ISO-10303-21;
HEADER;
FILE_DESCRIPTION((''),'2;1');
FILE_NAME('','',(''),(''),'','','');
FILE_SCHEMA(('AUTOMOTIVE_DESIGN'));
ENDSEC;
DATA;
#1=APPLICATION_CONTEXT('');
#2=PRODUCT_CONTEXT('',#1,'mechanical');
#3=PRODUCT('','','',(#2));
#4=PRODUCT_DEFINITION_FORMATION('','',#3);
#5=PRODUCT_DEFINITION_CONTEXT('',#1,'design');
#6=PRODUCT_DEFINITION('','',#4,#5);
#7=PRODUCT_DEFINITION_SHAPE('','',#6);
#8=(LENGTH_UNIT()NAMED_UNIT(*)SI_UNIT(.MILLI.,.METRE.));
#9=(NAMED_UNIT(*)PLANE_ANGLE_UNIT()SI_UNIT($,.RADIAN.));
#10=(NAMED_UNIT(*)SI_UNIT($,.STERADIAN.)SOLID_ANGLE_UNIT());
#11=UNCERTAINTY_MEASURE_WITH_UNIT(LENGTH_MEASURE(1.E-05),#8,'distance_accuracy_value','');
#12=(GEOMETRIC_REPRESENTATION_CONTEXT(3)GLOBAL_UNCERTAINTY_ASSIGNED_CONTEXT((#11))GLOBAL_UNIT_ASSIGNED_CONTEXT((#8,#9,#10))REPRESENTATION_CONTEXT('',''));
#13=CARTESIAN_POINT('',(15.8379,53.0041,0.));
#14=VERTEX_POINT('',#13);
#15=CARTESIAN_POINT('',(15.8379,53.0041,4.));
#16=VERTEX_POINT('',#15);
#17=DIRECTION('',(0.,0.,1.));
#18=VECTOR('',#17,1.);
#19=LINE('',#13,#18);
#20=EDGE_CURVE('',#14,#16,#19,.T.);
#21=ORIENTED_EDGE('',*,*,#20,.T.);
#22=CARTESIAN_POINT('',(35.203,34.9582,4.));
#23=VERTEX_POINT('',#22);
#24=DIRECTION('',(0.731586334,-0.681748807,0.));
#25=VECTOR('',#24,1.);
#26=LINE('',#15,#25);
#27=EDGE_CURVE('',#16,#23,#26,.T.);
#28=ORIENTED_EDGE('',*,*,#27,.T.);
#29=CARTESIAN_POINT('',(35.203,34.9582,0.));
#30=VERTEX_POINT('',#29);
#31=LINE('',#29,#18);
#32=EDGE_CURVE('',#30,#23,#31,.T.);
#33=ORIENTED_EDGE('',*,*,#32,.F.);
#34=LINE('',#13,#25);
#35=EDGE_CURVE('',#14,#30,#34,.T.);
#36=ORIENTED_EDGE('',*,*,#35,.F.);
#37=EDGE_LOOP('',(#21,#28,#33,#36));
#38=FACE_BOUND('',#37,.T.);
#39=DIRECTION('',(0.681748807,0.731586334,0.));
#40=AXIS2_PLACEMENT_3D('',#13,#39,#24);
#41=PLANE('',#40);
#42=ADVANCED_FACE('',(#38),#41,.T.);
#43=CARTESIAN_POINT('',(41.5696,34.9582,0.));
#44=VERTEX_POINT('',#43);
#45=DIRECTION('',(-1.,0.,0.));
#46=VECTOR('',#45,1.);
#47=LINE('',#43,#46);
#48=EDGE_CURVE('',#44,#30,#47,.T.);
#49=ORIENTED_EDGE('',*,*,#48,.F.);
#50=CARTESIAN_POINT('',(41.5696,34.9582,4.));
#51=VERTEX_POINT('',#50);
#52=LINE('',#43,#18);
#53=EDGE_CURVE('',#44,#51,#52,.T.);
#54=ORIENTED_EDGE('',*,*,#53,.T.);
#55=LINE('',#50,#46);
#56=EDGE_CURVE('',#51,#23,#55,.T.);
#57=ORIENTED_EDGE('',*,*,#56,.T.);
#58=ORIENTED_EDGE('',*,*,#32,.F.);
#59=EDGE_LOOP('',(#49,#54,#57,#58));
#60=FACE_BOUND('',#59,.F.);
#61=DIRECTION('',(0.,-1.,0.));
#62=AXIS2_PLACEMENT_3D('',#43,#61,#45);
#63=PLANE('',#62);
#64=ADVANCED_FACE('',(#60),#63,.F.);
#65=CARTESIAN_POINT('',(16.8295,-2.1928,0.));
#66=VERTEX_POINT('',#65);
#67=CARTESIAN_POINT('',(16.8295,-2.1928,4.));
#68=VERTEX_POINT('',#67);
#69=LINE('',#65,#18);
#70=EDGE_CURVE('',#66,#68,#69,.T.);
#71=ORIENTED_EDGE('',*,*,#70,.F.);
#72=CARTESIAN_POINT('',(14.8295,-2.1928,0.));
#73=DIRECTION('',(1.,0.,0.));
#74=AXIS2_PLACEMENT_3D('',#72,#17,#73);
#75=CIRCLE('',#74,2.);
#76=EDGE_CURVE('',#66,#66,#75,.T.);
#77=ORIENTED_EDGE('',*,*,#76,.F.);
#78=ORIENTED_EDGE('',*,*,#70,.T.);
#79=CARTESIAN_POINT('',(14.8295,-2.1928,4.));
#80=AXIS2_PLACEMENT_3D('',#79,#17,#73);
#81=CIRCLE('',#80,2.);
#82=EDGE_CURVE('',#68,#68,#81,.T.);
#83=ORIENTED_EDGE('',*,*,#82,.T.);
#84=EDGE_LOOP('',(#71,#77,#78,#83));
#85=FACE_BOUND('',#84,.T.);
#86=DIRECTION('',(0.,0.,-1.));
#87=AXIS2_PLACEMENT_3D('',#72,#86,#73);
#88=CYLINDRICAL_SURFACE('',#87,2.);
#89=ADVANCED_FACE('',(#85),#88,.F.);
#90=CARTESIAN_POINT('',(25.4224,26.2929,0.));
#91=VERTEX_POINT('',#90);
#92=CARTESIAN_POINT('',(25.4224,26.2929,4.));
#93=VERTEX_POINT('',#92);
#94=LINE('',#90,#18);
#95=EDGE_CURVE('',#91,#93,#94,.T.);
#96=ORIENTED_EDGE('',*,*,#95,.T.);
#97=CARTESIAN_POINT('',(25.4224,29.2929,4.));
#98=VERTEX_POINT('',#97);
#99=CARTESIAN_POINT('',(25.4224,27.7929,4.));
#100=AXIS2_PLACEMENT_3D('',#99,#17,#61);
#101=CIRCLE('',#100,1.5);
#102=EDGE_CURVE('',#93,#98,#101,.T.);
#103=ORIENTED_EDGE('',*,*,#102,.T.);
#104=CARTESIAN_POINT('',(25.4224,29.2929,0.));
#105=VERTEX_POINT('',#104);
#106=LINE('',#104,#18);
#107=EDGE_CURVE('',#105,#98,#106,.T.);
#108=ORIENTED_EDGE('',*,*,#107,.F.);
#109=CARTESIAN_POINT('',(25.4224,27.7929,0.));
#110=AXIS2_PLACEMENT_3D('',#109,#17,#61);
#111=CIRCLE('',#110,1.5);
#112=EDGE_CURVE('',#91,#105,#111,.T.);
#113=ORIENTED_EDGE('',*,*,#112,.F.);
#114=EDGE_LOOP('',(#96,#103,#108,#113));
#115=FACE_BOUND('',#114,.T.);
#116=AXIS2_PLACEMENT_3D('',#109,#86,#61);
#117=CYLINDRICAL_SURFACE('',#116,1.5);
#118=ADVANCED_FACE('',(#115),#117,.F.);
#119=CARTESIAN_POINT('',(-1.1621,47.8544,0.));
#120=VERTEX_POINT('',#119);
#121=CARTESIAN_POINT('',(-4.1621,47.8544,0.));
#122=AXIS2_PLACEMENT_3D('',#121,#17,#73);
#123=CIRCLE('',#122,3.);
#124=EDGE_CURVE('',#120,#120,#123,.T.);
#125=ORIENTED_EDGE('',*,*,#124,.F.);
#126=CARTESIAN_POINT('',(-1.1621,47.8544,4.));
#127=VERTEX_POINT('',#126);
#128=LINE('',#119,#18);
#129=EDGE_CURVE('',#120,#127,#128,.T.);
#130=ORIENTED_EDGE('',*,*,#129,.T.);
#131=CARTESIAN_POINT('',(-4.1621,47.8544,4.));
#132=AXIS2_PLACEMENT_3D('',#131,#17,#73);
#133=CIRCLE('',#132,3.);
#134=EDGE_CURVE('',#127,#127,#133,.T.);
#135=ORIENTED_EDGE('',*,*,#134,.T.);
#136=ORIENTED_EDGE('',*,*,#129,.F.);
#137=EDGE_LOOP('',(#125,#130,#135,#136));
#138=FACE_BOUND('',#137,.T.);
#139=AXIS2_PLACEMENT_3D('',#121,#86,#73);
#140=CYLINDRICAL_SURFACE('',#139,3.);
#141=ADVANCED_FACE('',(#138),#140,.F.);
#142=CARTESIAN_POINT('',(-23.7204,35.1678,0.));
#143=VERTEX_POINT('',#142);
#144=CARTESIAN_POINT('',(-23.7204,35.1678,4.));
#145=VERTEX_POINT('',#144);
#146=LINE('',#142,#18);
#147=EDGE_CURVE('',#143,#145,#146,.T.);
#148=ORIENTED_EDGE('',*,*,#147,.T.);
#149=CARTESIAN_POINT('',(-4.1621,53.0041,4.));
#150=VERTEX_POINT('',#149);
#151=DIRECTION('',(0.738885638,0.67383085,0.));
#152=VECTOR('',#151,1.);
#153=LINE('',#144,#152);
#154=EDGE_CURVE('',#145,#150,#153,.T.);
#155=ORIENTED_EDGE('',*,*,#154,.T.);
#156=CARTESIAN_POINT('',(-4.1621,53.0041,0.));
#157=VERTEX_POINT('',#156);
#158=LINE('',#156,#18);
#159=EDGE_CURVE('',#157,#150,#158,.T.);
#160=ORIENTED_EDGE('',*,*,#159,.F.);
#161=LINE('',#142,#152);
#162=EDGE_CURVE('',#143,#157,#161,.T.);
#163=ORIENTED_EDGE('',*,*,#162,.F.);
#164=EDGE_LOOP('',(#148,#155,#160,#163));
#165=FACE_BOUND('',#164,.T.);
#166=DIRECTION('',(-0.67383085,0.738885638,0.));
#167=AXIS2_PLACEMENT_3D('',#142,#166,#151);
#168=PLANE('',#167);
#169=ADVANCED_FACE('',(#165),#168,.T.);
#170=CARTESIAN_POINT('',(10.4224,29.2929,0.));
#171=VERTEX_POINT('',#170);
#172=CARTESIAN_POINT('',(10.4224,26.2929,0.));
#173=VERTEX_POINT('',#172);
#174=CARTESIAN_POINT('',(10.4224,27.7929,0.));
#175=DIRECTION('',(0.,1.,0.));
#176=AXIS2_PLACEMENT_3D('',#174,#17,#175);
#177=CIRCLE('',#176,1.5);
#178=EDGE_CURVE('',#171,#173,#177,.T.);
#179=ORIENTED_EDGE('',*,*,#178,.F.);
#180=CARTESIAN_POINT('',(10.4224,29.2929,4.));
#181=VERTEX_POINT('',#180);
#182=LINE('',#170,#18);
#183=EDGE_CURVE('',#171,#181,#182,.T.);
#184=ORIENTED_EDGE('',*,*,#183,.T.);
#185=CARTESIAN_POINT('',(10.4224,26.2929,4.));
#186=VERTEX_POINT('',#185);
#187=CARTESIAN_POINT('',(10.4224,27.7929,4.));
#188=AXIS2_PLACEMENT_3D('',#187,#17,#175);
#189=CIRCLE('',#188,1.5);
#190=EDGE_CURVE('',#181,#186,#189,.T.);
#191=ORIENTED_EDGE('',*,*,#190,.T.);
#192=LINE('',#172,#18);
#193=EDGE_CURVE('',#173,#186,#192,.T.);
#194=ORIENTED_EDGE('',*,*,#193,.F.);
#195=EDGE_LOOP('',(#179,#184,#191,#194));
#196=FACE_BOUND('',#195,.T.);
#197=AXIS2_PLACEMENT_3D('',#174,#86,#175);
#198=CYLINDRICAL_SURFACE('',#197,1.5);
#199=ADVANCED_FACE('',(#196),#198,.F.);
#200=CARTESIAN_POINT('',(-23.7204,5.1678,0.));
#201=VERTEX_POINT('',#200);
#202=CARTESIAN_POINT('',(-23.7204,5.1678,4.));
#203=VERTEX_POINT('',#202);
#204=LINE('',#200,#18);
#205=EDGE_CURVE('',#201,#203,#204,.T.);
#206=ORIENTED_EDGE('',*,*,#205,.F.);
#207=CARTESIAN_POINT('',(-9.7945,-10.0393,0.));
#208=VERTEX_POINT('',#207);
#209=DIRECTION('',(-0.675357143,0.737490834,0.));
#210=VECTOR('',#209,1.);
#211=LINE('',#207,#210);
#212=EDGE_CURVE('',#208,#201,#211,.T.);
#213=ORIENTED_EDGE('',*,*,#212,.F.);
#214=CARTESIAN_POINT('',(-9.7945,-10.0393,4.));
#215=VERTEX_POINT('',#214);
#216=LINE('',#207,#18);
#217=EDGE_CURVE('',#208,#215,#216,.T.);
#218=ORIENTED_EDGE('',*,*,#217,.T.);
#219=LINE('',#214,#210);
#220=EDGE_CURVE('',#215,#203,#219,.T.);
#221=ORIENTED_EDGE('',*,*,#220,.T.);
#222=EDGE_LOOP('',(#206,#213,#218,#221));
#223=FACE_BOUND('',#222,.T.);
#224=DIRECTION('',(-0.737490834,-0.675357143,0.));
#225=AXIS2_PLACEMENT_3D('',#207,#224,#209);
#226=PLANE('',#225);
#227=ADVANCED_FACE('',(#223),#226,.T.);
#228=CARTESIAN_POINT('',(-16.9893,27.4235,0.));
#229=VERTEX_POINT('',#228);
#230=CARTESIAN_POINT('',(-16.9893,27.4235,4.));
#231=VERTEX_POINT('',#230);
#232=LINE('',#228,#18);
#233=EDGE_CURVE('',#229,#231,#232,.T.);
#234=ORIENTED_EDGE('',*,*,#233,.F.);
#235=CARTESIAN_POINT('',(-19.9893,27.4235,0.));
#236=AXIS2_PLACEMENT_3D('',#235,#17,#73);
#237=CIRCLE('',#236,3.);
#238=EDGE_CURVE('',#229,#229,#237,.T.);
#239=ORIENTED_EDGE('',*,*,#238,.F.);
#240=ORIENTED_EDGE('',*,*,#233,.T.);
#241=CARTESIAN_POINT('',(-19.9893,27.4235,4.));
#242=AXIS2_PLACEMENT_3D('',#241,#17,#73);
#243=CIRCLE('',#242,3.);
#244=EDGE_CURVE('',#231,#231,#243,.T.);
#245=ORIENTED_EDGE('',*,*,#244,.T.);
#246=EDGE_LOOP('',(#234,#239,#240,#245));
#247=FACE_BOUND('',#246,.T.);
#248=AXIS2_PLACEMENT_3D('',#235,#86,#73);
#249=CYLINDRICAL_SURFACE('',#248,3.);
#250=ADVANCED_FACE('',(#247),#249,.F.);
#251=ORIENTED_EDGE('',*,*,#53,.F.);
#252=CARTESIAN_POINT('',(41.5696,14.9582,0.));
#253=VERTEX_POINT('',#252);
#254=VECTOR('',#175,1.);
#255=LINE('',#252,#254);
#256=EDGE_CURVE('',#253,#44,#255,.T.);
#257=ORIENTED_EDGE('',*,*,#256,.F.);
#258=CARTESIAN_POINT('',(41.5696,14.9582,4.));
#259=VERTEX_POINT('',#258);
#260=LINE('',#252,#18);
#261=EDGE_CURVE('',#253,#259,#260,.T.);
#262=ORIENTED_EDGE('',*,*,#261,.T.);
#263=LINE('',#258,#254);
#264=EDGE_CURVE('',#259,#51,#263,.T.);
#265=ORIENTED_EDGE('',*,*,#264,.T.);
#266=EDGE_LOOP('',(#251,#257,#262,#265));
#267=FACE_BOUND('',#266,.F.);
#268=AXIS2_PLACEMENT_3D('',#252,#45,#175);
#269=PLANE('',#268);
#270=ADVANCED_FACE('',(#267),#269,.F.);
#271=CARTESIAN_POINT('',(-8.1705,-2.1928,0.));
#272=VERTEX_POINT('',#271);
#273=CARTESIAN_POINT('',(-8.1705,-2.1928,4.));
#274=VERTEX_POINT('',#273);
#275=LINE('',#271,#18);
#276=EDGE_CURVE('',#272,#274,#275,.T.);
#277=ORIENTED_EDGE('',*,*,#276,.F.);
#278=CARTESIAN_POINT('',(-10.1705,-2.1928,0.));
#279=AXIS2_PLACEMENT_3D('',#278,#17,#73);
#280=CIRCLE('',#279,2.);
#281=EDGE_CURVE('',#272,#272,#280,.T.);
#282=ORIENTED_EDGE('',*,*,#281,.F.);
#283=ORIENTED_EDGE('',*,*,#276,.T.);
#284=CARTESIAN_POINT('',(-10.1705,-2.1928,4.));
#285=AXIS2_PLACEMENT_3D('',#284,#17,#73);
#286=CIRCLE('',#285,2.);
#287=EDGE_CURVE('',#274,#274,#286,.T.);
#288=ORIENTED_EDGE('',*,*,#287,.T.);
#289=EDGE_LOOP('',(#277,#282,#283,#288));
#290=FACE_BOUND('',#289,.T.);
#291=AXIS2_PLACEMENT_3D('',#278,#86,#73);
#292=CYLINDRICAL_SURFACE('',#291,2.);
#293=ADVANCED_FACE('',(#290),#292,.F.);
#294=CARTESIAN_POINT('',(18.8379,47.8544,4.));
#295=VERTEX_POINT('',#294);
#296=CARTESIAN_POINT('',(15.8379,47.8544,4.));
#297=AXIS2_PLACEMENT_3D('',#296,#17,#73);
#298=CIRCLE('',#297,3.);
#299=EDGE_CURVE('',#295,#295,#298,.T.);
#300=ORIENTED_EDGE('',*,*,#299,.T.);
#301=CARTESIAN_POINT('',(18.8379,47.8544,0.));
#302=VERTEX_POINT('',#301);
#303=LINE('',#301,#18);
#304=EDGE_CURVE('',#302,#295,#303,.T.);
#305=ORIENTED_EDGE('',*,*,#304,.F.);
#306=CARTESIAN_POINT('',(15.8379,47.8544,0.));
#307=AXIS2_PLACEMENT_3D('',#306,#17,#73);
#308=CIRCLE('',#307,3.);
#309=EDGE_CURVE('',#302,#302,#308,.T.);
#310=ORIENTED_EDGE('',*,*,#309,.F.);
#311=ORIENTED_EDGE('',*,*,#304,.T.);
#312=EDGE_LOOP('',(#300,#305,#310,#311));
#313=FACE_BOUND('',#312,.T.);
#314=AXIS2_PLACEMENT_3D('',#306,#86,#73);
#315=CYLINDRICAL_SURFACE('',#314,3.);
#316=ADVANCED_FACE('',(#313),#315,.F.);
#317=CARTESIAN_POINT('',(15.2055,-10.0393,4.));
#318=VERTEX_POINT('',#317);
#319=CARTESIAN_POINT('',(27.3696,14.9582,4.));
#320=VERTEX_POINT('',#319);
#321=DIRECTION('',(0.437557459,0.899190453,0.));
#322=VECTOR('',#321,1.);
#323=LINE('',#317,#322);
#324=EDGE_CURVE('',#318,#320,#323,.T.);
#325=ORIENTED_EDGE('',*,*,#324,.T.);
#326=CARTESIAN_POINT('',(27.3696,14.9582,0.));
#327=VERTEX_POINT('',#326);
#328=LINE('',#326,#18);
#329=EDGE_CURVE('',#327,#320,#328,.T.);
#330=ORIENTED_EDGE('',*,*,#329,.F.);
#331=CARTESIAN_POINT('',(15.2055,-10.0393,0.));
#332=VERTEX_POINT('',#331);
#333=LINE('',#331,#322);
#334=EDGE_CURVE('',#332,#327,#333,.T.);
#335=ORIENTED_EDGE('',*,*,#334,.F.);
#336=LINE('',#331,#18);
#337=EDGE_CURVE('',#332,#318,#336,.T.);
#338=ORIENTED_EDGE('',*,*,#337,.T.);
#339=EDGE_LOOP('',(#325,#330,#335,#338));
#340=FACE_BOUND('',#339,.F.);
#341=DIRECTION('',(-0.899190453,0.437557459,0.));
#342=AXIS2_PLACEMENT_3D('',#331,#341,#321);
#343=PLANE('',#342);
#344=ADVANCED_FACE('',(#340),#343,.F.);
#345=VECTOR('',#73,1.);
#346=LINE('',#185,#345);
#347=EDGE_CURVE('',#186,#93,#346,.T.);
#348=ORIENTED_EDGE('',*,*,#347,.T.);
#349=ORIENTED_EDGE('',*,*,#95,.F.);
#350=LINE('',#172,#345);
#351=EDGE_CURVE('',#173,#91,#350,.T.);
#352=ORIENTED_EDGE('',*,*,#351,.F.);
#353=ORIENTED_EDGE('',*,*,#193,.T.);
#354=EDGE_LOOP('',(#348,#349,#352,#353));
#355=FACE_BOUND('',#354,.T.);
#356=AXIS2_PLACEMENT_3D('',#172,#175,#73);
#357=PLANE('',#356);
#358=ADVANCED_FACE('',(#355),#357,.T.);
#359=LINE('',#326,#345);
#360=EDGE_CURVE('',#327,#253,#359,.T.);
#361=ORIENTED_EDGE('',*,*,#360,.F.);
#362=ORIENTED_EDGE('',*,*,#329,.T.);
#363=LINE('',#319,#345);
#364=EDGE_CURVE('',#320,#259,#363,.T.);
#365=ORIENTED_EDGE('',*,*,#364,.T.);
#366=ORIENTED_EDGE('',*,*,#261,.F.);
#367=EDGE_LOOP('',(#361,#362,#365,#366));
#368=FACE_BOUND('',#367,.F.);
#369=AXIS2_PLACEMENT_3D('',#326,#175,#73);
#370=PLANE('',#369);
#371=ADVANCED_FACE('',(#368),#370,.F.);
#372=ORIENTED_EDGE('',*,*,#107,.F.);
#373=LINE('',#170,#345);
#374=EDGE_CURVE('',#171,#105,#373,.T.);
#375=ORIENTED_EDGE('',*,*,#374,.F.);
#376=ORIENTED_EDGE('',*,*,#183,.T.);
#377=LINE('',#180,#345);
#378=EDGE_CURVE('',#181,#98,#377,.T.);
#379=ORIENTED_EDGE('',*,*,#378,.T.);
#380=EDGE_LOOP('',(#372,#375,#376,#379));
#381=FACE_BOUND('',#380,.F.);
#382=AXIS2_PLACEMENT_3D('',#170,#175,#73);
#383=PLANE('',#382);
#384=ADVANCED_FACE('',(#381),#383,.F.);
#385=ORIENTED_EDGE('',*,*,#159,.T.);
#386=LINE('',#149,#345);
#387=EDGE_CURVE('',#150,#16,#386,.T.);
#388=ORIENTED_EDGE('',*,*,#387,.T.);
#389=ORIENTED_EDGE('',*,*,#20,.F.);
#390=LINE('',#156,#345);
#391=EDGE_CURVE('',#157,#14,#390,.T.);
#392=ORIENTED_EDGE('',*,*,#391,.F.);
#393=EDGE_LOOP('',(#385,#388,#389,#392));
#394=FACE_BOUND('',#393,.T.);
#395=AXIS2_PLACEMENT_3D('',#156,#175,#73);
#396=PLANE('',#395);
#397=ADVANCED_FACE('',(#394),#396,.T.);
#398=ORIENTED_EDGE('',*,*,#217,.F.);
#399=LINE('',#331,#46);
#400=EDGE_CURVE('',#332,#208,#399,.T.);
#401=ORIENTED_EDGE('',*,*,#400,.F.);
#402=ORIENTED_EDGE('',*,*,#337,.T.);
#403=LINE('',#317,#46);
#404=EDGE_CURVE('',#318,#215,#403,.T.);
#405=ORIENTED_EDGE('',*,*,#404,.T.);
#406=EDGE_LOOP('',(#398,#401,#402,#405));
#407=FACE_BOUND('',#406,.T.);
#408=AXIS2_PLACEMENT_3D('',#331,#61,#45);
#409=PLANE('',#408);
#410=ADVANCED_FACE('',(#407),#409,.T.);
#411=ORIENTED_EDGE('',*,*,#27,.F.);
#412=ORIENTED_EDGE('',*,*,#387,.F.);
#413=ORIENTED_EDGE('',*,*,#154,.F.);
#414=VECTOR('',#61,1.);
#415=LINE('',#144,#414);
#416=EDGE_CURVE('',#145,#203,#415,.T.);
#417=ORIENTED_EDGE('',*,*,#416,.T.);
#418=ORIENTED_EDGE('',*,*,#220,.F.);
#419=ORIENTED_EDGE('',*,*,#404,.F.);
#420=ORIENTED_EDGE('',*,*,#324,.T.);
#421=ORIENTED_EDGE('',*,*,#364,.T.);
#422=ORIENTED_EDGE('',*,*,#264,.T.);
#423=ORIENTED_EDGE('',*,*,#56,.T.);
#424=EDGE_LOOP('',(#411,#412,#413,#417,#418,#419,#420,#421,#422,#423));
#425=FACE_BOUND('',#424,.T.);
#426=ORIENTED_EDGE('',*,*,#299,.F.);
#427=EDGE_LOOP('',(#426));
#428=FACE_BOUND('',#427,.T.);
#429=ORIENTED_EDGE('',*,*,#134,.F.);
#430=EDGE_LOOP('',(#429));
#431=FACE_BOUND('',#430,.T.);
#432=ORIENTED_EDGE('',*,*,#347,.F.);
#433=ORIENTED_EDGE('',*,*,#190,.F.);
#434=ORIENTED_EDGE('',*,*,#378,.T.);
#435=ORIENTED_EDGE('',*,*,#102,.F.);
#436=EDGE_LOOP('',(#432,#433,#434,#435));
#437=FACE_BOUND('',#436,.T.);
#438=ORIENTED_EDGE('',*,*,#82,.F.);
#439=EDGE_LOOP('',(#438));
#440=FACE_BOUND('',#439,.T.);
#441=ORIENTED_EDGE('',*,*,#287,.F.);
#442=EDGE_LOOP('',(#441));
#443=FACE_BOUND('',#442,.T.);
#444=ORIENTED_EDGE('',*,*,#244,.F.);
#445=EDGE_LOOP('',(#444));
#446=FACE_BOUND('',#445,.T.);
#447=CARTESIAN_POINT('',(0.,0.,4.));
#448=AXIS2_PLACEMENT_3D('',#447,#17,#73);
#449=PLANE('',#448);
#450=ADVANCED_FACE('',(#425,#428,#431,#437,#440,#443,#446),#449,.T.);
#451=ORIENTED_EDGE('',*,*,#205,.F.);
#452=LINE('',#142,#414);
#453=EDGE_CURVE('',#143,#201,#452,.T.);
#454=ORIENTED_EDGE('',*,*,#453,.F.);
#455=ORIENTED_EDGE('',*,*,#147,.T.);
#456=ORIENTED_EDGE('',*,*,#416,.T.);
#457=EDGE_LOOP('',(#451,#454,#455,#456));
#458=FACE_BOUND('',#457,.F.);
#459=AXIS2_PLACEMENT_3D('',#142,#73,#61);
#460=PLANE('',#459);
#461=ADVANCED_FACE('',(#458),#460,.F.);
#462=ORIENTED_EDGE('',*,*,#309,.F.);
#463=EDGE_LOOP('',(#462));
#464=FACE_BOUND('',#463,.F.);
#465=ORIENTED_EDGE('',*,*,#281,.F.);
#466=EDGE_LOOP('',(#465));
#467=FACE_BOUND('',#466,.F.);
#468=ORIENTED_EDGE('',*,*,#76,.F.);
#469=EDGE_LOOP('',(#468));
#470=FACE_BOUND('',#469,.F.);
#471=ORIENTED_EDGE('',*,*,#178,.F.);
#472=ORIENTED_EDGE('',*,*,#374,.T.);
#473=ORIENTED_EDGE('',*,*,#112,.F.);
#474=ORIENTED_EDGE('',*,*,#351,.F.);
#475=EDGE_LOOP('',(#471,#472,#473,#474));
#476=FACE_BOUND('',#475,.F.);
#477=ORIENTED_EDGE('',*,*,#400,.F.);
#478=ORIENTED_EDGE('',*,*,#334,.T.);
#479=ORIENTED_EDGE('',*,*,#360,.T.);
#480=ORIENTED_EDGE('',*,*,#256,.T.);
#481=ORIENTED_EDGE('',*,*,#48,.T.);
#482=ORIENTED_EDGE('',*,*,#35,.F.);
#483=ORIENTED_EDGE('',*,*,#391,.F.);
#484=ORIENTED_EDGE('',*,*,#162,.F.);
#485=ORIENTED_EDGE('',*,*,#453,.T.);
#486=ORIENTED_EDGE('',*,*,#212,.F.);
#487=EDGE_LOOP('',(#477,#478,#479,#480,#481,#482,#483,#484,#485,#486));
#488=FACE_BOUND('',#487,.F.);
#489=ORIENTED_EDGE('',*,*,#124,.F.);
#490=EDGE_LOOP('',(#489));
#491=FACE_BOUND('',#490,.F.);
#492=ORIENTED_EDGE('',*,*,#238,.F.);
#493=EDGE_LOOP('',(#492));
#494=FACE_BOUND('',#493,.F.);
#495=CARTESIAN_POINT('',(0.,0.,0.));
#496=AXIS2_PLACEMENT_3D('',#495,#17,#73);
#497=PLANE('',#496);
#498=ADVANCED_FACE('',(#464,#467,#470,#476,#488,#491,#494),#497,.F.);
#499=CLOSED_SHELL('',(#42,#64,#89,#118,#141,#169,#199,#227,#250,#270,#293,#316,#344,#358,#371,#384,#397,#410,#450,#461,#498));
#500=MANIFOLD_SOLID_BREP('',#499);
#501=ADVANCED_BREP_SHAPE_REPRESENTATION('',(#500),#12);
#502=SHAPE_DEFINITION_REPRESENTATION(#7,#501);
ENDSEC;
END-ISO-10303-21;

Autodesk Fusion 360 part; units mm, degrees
sketch "Sketch1" plane through (0, 0, 0) normal (0, 0, 1) x (1, 0, 0)
  line L0 (-4.1621, 53.0041) -> (15.8379, 53.0041)
  line L1 (15.2055, -10.0393) -> (-9.7945, -10.0393)
  line L2 (-23.7204, 35.1678) -> (-23.7204, 5.1678)
  line L3 (-9.7945, -10.0393) -> (-23.7204, 5.1678)
  line L4 (-23.7204, 35.1678) -> (-4.1621, 53.0041)
  line L5 (27.3696, 14.9582) -> (41.5696, 14.9582)
  line L6 (15.2055, -10.0393) -> (27.3696, 14.9582)
  line L7 (41.5696, 14.9582) -> (41.5696, 34.9582)
  line L8 (41.5696, 34.9582) -> (35.203, 34.9582)
  line L9 (15.8379, 53.0041) -> (35.203, 34.9582)
  circle A0 centre (-19.9893, 27.4235) radius 3
  circle A1 centre (-10.1705, -2.1928) radius 2
  circle A2 centre (14.8295, -2.1928) radius 2
  line L10 (10.4224, 29.2929) -> (25.4224, 29.2929)
  line L11 (10.4224, 26.2929) -> (25.4224, 26.2929)
  arc A3 (10.4224, 29.2929) -> (10.4224, 26.2929) centre (10.4224, 27.7929) ccw
  arc A4 (25.4224, 26.2929) -> (25.4224, 29.2929) centre (25.4224, 27.7929) ccw
  circle A5 centre (-4.1621, 47.8544) radius 3
  circle A6 centre (15.8379, 47.8544) radius 3
  dimension "d1" = 20
  dimension "d3" = 25
  dimension "d4" = 30
  dimension "d5" = 20.62
  dimension "d6" = 26.47
  dimension "d7" = 14.2
  dimension "d8" = 27.8
  dimension "d9" = 20
  dimension "d10" = 26.47
  dimension "d13" = 6
  dimension "d14" = 4
  dimension "d15" = 4
  dimension "d16" = 3
  dimension "d17" = 3
  dimension "d18" = 15
  dimension "d19" = 65.29
  dimension "d20" = 6
  dimension "d21" = 6
extrude "Extrude1" add sketch "Sketch1" along normal blind 4
